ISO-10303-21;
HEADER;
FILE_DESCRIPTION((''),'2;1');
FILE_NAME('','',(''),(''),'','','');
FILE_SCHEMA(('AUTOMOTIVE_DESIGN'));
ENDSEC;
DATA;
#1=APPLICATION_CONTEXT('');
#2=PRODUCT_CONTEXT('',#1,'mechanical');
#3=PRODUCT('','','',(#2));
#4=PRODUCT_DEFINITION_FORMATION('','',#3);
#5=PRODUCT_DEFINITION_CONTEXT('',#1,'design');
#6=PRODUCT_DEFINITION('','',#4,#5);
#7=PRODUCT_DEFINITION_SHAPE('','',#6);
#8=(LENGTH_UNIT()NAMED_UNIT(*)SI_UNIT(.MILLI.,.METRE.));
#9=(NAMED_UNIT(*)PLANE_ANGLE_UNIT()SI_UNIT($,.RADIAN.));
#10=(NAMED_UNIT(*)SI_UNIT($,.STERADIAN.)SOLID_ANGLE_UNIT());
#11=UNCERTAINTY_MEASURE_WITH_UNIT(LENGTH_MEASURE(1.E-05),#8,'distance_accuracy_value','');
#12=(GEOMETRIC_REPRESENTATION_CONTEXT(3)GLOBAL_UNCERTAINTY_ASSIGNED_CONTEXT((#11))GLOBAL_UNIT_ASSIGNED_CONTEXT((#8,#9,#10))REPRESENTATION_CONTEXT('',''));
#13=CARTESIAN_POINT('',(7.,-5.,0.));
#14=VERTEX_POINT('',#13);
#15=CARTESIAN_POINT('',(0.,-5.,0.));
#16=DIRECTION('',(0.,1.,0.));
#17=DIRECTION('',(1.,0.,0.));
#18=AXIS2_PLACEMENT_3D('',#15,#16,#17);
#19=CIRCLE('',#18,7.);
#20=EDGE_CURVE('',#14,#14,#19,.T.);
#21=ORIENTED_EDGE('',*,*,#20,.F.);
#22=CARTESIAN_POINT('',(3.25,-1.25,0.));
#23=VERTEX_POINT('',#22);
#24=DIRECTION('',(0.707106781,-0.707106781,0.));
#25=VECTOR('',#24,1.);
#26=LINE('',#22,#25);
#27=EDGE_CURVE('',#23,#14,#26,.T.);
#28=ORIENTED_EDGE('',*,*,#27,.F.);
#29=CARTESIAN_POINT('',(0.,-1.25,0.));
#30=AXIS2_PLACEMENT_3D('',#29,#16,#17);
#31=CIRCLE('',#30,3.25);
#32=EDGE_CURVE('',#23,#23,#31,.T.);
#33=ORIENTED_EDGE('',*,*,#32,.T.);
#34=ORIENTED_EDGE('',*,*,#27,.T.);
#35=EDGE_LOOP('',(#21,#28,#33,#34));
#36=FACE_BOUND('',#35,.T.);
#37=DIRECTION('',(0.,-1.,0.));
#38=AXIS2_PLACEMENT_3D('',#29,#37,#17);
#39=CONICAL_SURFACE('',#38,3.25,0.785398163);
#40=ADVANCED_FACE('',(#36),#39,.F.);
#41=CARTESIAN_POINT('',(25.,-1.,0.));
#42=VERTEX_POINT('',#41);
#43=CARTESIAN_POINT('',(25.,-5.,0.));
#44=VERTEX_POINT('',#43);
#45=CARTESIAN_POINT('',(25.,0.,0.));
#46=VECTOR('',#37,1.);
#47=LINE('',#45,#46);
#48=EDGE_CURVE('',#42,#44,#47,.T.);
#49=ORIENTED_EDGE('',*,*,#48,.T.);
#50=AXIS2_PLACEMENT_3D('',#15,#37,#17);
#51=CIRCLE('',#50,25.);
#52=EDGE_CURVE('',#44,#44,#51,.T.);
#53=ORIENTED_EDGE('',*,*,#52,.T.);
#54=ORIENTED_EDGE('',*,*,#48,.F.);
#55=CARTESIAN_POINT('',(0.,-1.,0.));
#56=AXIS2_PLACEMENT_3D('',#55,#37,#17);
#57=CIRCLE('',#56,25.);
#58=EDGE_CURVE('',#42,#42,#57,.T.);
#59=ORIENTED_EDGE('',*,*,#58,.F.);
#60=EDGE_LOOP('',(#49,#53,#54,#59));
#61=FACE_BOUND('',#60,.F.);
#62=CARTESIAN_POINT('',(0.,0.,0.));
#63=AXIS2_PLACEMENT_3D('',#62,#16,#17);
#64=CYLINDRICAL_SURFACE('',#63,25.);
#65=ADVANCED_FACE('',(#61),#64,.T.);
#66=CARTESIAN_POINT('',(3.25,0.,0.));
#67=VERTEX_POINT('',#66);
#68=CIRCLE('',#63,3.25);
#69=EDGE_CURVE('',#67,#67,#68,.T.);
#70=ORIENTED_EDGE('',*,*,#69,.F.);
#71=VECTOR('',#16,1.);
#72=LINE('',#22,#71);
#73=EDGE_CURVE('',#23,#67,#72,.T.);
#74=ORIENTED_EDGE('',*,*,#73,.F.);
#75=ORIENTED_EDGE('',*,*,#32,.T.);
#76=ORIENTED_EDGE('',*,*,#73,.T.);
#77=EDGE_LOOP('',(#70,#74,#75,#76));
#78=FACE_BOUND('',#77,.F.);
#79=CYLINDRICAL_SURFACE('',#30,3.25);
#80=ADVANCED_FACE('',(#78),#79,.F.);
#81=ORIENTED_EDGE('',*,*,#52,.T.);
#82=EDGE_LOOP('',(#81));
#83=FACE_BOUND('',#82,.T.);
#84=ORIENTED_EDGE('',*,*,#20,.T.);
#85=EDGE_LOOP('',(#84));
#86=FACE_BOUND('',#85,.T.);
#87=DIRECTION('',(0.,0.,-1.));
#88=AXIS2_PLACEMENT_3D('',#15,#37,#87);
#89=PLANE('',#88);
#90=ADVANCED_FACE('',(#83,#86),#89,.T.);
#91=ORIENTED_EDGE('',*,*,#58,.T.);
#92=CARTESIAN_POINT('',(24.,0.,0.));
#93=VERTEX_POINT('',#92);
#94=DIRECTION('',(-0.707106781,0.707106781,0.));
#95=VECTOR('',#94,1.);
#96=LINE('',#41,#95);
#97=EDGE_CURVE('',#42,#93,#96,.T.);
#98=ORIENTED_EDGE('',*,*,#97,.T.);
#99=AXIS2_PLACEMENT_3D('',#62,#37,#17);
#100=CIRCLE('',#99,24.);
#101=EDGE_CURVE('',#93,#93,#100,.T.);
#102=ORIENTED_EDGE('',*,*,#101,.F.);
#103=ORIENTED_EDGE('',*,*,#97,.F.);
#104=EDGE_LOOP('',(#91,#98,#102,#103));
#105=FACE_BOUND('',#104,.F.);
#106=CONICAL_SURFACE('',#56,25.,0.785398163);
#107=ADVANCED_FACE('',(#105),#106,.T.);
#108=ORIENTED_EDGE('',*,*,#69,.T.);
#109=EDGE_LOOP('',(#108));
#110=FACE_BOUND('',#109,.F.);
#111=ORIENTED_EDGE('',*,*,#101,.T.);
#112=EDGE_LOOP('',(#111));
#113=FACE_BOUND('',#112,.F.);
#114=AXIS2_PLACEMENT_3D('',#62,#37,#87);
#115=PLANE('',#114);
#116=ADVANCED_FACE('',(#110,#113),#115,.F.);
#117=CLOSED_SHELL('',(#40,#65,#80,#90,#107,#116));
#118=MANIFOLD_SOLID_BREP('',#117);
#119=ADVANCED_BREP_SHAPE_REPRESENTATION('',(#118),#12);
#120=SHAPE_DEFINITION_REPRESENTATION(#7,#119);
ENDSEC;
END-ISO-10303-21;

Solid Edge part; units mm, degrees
sketch "Sketch1" plane through (0, 0, 0) normal (0, -1, 0) x (1, 0, 0)
  circle A0 centre (0, 0) radius 25
  dimension "D1" = 50
extrude "Protrusion1" add sketch "Sketch1" along normal blind 5
chamfer "Chaflán_3" distance 1 angle 45 1 edges at (-25, 0, 0)
sketch "Sketch2" plane through (0, 0, 0) normal (0, 0, 1) x (1, 0, 0)
  line L0 (3.25, -1.25) -> (7, -5)
  line L1 (3.25, -1.25) -> (3.25, 0)
  dimension "D1" = 3.25
  dimension "D2" = 1.25
revolve "RevolvedCutout1" cut sketch "Sketch2" angle 360 about axis through (0, 0, 0) along (0, 1, 0) material side at (5.0896, -3.1604, 0)
properties part number "1976-1100-001" material "Aluminio, 7075-T6"
